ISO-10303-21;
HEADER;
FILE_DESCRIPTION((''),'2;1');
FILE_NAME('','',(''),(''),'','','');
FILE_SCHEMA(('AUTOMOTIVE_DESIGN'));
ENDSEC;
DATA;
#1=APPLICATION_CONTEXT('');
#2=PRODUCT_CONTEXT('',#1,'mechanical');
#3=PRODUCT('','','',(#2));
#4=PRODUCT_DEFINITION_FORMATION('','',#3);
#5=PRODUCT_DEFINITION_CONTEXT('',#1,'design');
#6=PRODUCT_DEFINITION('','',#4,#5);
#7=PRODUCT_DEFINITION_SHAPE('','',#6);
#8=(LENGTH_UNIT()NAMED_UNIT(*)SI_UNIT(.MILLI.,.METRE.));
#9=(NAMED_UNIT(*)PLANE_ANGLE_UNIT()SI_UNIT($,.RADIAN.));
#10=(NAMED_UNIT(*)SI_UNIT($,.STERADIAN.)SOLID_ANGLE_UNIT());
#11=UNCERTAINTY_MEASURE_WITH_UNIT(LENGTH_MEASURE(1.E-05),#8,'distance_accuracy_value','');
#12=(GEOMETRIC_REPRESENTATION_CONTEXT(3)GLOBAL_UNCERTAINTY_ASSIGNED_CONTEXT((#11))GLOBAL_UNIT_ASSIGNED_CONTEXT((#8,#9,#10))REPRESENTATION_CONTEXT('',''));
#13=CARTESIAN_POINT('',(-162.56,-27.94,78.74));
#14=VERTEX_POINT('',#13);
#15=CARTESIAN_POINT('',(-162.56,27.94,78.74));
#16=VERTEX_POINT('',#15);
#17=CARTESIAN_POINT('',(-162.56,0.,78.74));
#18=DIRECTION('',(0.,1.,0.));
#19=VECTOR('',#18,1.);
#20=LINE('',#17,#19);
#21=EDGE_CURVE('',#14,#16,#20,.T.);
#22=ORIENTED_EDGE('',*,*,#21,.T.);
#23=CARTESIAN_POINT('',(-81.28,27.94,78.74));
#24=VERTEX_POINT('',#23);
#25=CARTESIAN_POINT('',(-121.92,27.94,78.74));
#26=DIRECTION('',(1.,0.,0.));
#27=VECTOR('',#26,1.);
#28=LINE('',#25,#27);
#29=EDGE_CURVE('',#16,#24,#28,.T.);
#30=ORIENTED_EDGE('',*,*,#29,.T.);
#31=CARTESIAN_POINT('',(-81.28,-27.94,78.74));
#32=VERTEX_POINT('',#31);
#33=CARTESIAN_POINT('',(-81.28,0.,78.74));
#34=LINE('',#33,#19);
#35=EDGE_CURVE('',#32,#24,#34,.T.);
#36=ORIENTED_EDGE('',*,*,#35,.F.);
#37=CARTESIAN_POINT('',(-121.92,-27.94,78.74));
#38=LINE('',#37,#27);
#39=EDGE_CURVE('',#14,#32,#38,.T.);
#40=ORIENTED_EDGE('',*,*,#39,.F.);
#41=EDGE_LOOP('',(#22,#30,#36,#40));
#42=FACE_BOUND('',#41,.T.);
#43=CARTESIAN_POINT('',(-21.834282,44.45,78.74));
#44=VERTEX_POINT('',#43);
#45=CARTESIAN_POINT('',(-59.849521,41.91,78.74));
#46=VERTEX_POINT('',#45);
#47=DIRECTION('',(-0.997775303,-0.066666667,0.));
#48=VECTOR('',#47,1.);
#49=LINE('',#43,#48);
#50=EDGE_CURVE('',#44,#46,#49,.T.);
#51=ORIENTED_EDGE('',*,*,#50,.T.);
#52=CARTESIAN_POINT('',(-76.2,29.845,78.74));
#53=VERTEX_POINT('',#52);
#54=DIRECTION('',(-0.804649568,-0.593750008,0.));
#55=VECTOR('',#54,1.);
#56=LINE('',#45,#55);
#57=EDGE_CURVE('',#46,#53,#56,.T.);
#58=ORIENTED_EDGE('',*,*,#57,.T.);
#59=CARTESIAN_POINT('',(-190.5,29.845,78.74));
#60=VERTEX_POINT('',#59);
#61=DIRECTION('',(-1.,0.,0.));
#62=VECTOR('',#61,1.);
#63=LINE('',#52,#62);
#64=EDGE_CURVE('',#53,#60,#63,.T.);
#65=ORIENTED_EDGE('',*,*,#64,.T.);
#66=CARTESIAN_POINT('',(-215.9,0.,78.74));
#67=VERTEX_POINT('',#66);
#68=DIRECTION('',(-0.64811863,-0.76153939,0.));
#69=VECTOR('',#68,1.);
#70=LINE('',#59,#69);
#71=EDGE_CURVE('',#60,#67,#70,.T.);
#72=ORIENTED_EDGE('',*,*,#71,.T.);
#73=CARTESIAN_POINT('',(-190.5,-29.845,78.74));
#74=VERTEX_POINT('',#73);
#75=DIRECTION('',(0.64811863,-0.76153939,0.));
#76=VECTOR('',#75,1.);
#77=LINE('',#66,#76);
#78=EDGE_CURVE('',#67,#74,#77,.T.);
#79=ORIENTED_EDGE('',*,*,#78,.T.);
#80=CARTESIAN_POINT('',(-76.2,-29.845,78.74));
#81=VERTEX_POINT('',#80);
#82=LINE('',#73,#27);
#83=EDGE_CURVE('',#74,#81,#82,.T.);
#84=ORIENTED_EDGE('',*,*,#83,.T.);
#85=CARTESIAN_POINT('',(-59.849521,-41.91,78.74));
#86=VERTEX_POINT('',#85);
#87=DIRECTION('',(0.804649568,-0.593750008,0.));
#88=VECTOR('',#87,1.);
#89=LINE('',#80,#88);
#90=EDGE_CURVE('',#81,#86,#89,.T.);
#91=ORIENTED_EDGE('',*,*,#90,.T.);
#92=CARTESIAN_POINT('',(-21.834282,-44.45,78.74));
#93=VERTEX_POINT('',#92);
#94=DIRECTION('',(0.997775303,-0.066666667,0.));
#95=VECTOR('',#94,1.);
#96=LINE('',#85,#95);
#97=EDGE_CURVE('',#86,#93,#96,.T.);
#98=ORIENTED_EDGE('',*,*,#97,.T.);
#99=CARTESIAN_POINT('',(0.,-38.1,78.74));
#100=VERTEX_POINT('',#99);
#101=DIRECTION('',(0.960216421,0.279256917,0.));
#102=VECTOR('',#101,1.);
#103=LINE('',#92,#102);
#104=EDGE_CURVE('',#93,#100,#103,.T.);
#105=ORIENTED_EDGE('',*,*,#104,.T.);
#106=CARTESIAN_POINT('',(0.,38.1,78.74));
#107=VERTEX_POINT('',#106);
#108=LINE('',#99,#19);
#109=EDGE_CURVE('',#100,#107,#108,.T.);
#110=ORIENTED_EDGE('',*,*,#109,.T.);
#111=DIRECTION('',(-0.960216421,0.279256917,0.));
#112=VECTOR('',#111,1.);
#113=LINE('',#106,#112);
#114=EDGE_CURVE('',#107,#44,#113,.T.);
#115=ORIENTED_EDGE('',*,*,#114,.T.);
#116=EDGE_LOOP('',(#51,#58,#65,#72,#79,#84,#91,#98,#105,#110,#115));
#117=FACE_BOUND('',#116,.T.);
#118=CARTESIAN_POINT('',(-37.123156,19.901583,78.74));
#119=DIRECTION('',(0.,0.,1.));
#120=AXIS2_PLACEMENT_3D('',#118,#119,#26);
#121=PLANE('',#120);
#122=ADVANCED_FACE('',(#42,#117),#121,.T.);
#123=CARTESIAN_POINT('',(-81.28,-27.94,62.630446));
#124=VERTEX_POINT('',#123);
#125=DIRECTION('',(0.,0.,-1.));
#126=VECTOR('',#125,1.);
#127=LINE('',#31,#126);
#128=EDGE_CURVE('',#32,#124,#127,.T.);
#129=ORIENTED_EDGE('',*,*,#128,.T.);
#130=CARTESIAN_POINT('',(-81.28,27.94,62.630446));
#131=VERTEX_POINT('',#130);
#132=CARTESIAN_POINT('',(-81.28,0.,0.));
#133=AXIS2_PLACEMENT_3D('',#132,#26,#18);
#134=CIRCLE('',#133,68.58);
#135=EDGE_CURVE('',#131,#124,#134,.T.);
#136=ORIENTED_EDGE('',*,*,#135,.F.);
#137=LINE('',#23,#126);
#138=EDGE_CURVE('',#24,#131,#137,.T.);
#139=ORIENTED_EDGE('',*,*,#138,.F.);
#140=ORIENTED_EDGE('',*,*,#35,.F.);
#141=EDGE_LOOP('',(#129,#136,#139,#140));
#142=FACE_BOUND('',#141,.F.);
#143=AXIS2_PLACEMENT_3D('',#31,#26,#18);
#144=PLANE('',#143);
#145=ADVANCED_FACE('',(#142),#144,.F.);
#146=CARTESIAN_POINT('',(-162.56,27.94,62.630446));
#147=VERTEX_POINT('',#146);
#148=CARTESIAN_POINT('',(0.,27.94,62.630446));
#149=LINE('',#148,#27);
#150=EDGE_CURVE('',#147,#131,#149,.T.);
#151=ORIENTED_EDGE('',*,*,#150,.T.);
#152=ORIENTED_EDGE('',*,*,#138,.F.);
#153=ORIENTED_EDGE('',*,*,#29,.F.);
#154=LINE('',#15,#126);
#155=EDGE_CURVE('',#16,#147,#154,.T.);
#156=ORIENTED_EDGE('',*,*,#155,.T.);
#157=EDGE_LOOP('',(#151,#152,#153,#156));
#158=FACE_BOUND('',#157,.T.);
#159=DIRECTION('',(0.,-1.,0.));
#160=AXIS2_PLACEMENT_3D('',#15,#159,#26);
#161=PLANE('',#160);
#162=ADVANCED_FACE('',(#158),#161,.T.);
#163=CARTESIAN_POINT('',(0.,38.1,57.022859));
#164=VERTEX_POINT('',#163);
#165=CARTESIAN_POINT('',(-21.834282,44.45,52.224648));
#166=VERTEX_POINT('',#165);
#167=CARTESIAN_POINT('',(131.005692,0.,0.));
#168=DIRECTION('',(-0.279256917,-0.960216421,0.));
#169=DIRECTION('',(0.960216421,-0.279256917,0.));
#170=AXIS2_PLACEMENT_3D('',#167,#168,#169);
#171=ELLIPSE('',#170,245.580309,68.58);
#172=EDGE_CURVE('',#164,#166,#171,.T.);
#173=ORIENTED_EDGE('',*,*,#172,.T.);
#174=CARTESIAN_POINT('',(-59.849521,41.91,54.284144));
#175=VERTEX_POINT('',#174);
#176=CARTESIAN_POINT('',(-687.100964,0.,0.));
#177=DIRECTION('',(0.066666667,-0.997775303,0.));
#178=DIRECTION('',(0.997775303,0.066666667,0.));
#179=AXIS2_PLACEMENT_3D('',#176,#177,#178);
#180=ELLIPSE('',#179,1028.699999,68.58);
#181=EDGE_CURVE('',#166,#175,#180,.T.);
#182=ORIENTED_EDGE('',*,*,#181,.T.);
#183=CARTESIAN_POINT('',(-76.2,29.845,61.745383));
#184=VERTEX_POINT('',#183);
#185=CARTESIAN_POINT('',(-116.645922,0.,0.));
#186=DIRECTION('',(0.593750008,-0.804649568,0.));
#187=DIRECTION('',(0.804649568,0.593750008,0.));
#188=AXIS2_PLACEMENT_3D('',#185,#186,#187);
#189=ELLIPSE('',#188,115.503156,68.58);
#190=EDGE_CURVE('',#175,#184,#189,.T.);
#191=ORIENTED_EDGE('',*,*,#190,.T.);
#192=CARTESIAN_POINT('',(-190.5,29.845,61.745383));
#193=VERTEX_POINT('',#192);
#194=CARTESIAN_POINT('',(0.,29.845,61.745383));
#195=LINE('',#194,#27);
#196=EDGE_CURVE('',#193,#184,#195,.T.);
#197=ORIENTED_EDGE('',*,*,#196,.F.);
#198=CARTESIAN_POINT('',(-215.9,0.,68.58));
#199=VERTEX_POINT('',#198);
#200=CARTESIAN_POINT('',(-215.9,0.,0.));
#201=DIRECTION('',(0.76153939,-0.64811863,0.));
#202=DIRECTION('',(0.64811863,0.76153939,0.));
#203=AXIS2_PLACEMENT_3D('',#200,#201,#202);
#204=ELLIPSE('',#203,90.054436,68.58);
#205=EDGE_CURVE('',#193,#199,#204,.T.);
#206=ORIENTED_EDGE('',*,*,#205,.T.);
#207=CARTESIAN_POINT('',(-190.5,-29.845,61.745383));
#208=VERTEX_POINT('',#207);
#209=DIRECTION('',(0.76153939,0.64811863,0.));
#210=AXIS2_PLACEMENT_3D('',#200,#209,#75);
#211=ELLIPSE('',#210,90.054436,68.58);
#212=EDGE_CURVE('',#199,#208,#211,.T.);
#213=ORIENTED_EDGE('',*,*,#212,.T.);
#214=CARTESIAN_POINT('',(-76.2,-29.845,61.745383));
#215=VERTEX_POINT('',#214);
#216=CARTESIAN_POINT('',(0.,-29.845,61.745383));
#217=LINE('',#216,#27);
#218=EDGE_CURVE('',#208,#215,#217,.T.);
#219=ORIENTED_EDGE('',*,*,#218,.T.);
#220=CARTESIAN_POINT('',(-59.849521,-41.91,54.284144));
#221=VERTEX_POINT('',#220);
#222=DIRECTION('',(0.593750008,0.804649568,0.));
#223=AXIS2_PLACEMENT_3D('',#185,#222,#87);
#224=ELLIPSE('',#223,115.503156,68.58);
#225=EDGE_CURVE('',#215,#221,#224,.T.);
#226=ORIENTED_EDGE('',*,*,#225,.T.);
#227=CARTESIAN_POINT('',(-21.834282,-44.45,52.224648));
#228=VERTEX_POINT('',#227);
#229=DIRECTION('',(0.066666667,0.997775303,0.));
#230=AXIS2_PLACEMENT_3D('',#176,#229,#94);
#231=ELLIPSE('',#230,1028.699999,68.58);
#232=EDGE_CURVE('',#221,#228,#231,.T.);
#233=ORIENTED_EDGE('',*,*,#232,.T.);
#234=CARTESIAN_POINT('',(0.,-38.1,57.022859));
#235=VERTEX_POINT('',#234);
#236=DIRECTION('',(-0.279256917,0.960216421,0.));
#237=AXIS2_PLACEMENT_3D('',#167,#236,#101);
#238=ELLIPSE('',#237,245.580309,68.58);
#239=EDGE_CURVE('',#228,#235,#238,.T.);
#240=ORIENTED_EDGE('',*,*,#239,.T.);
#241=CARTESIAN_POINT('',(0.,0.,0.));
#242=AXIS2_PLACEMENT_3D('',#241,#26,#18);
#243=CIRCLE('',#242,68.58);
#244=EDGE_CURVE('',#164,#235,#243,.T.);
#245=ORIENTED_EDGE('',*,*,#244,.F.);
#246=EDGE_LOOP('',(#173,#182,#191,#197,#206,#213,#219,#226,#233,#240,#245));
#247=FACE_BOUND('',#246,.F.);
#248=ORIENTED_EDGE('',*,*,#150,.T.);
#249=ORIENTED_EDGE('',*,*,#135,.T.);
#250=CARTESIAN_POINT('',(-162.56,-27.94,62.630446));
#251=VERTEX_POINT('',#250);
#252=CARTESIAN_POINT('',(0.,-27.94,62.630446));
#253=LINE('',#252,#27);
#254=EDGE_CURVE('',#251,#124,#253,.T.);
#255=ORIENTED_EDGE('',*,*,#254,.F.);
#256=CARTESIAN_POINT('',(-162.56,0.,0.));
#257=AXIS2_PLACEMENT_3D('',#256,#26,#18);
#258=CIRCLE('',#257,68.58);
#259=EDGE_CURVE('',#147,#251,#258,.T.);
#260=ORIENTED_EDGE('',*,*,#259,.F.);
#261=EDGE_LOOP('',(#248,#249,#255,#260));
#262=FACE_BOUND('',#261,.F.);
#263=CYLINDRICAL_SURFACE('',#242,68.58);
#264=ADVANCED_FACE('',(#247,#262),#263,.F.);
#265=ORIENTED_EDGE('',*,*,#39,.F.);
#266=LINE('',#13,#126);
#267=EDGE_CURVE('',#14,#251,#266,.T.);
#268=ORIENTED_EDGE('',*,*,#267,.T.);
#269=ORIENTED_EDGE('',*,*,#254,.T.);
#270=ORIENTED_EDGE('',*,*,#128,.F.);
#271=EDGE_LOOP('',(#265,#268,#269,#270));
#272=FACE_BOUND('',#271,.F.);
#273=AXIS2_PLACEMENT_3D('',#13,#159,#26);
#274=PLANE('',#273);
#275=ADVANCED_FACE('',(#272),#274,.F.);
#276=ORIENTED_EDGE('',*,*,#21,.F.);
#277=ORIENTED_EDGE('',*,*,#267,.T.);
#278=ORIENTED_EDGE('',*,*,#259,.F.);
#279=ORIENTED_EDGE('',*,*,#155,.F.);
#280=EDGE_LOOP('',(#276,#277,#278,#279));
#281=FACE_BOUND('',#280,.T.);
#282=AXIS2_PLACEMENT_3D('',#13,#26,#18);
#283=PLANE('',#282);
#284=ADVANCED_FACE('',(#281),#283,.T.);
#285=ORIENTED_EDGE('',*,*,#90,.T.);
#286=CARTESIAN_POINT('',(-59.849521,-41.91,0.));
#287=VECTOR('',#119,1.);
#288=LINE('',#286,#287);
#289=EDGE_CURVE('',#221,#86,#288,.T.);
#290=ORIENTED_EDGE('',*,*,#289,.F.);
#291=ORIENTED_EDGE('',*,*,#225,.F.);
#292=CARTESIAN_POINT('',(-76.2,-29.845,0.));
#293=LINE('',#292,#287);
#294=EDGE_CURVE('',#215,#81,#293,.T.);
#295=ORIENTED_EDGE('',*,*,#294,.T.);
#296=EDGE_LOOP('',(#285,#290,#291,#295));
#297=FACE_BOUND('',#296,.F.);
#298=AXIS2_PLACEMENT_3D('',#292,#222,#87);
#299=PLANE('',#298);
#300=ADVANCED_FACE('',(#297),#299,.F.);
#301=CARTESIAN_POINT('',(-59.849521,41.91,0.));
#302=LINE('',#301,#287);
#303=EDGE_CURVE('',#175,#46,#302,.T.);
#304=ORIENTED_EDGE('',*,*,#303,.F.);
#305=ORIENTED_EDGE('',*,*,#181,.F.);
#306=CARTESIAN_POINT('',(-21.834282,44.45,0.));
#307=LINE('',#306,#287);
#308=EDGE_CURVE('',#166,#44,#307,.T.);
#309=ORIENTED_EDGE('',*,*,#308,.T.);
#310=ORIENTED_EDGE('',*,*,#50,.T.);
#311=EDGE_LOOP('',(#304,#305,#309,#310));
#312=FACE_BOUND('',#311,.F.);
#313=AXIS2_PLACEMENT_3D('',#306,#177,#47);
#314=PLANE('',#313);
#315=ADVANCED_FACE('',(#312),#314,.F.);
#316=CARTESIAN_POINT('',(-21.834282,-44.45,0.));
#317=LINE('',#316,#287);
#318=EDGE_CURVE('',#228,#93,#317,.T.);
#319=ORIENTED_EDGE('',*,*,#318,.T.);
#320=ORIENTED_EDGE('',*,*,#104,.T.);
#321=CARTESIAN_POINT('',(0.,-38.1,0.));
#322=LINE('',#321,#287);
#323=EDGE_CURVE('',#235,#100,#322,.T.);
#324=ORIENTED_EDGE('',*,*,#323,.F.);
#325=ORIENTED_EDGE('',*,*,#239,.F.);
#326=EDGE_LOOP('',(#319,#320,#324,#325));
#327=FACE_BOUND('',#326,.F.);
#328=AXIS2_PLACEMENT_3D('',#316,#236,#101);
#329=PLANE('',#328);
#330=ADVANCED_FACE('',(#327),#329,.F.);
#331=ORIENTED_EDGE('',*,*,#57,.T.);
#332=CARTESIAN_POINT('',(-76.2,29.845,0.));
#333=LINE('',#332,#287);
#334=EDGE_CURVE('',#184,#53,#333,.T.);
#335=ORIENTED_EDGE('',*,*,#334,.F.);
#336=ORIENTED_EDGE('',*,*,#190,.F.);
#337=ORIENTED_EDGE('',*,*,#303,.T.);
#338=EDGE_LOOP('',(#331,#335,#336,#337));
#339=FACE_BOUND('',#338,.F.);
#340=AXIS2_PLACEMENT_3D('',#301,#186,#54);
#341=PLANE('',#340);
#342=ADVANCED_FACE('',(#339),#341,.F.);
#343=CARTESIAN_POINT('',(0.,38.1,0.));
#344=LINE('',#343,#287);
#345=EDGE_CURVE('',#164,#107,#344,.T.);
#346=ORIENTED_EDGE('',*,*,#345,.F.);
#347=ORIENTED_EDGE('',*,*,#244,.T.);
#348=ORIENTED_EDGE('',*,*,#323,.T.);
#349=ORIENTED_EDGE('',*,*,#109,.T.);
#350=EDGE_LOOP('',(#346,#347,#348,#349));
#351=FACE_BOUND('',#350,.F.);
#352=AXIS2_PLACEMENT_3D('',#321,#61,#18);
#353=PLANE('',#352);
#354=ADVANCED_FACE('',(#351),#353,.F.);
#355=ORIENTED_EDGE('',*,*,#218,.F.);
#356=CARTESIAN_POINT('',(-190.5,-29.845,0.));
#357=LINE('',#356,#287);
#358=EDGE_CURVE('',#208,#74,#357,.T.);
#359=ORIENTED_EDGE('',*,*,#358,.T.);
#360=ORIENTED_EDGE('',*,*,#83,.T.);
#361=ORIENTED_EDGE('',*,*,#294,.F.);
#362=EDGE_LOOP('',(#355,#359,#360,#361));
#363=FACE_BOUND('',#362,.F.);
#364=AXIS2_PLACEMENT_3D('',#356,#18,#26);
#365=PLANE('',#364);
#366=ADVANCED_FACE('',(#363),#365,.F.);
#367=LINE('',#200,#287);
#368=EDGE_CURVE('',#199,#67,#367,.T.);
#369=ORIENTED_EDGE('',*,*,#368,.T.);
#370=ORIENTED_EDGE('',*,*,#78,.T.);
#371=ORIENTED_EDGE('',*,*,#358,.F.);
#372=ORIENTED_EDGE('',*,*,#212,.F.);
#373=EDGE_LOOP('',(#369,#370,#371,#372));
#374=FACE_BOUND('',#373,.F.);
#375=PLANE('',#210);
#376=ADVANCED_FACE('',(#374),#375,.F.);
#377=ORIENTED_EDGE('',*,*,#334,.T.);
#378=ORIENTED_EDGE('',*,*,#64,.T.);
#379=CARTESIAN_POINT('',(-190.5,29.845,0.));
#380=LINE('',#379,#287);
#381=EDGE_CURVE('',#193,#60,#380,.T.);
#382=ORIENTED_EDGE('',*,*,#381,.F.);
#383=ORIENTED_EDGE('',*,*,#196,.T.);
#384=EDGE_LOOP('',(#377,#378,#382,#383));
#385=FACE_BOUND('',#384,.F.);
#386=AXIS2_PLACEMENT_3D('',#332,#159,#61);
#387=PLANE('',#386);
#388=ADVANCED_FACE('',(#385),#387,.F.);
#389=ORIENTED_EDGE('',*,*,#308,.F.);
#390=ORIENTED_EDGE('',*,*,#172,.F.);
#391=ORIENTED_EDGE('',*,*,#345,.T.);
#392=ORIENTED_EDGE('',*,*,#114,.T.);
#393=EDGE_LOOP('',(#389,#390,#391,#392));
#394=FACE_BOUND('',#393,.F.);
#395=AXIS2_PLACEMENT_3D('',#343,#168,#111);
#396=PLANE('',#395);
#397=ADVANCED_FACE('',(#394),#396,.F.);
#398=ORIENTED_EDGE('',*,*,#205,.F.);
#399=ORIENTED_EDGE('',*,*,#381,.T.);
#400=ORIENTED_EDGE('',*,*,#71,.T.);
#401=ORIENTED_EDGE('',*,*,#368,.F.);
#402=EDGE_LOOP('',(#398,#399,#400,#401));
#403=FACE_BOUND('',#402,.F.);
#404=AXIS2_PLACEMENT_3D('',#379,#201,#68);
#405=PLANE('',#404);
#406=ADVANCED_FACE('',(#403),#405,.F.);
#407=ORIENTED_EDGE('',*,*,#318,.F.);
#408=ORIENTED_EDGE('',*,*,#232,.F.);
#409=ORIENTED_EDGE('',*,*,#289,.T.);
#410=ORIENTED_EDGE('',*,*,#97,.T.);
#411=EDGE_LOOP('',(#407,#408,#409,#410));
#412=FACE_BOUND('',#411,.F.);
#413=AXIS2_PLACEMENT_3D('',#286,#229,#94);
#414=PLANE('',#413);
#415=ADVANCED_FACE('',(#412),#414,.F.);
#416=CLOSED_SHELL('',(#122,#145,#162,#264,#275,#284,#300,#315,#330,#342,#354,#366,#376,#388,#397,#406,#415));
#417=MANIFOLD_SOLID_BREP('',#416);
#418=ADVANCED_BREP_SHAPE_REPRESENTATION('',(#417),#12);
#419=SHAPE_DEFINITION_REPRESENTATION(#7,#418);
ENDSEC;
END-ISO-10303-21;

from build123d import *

# Parameters (mm, degrees)
F1_DEPTH = 78.74
F2_R     = 68.58
F3_DEPTH = 228.6
F4_W     = 81.28
F4_H     = 55.88
F5_DEPTH = 25.4


with BuildPart() as f1:
    # F0 (on Top) → F1 (new body)
    with BuildSketch(Plane.XY):
        Polygon((0, 0), (0, 38.1), (-21.834282, 44.45), (-59.849521, 41.91), (-76.2, 29.845), (-76.2, 0), align=None)
        Polygon((0, -38.1), (0, 0), (-76.2, 0), (-76.2, -29.845), (-59.849521, -41.91), (-21.834282, -44.45), align=None)
        Polygon((-76.2, -29.845), (-76.2, 0), (-76.2, 29.845), (-190.5, 29.845), (-215.9, 0), (-190.5, -29.845), align=None)
    extrude(amount=F1_DEPTH)

    # F2 (on face) → F3 (cut)
    with BuildSketch(Plane.YZ):
        Circle(F2_R)
    extrude(amount=-F3_DEPTH, mode=Mode.SUBTRACT)

    # F4 (on face) → F5 (cut)
    with BuildSketch(Plane.XY.offset(78.74)):
        with Locations((-121.92, 0)):
            Rectangle(F4_W, F4_H)
    extrude(amount=-F5_DEPTH, mode=Mode.SUBTRACT)


solid = f1.part
